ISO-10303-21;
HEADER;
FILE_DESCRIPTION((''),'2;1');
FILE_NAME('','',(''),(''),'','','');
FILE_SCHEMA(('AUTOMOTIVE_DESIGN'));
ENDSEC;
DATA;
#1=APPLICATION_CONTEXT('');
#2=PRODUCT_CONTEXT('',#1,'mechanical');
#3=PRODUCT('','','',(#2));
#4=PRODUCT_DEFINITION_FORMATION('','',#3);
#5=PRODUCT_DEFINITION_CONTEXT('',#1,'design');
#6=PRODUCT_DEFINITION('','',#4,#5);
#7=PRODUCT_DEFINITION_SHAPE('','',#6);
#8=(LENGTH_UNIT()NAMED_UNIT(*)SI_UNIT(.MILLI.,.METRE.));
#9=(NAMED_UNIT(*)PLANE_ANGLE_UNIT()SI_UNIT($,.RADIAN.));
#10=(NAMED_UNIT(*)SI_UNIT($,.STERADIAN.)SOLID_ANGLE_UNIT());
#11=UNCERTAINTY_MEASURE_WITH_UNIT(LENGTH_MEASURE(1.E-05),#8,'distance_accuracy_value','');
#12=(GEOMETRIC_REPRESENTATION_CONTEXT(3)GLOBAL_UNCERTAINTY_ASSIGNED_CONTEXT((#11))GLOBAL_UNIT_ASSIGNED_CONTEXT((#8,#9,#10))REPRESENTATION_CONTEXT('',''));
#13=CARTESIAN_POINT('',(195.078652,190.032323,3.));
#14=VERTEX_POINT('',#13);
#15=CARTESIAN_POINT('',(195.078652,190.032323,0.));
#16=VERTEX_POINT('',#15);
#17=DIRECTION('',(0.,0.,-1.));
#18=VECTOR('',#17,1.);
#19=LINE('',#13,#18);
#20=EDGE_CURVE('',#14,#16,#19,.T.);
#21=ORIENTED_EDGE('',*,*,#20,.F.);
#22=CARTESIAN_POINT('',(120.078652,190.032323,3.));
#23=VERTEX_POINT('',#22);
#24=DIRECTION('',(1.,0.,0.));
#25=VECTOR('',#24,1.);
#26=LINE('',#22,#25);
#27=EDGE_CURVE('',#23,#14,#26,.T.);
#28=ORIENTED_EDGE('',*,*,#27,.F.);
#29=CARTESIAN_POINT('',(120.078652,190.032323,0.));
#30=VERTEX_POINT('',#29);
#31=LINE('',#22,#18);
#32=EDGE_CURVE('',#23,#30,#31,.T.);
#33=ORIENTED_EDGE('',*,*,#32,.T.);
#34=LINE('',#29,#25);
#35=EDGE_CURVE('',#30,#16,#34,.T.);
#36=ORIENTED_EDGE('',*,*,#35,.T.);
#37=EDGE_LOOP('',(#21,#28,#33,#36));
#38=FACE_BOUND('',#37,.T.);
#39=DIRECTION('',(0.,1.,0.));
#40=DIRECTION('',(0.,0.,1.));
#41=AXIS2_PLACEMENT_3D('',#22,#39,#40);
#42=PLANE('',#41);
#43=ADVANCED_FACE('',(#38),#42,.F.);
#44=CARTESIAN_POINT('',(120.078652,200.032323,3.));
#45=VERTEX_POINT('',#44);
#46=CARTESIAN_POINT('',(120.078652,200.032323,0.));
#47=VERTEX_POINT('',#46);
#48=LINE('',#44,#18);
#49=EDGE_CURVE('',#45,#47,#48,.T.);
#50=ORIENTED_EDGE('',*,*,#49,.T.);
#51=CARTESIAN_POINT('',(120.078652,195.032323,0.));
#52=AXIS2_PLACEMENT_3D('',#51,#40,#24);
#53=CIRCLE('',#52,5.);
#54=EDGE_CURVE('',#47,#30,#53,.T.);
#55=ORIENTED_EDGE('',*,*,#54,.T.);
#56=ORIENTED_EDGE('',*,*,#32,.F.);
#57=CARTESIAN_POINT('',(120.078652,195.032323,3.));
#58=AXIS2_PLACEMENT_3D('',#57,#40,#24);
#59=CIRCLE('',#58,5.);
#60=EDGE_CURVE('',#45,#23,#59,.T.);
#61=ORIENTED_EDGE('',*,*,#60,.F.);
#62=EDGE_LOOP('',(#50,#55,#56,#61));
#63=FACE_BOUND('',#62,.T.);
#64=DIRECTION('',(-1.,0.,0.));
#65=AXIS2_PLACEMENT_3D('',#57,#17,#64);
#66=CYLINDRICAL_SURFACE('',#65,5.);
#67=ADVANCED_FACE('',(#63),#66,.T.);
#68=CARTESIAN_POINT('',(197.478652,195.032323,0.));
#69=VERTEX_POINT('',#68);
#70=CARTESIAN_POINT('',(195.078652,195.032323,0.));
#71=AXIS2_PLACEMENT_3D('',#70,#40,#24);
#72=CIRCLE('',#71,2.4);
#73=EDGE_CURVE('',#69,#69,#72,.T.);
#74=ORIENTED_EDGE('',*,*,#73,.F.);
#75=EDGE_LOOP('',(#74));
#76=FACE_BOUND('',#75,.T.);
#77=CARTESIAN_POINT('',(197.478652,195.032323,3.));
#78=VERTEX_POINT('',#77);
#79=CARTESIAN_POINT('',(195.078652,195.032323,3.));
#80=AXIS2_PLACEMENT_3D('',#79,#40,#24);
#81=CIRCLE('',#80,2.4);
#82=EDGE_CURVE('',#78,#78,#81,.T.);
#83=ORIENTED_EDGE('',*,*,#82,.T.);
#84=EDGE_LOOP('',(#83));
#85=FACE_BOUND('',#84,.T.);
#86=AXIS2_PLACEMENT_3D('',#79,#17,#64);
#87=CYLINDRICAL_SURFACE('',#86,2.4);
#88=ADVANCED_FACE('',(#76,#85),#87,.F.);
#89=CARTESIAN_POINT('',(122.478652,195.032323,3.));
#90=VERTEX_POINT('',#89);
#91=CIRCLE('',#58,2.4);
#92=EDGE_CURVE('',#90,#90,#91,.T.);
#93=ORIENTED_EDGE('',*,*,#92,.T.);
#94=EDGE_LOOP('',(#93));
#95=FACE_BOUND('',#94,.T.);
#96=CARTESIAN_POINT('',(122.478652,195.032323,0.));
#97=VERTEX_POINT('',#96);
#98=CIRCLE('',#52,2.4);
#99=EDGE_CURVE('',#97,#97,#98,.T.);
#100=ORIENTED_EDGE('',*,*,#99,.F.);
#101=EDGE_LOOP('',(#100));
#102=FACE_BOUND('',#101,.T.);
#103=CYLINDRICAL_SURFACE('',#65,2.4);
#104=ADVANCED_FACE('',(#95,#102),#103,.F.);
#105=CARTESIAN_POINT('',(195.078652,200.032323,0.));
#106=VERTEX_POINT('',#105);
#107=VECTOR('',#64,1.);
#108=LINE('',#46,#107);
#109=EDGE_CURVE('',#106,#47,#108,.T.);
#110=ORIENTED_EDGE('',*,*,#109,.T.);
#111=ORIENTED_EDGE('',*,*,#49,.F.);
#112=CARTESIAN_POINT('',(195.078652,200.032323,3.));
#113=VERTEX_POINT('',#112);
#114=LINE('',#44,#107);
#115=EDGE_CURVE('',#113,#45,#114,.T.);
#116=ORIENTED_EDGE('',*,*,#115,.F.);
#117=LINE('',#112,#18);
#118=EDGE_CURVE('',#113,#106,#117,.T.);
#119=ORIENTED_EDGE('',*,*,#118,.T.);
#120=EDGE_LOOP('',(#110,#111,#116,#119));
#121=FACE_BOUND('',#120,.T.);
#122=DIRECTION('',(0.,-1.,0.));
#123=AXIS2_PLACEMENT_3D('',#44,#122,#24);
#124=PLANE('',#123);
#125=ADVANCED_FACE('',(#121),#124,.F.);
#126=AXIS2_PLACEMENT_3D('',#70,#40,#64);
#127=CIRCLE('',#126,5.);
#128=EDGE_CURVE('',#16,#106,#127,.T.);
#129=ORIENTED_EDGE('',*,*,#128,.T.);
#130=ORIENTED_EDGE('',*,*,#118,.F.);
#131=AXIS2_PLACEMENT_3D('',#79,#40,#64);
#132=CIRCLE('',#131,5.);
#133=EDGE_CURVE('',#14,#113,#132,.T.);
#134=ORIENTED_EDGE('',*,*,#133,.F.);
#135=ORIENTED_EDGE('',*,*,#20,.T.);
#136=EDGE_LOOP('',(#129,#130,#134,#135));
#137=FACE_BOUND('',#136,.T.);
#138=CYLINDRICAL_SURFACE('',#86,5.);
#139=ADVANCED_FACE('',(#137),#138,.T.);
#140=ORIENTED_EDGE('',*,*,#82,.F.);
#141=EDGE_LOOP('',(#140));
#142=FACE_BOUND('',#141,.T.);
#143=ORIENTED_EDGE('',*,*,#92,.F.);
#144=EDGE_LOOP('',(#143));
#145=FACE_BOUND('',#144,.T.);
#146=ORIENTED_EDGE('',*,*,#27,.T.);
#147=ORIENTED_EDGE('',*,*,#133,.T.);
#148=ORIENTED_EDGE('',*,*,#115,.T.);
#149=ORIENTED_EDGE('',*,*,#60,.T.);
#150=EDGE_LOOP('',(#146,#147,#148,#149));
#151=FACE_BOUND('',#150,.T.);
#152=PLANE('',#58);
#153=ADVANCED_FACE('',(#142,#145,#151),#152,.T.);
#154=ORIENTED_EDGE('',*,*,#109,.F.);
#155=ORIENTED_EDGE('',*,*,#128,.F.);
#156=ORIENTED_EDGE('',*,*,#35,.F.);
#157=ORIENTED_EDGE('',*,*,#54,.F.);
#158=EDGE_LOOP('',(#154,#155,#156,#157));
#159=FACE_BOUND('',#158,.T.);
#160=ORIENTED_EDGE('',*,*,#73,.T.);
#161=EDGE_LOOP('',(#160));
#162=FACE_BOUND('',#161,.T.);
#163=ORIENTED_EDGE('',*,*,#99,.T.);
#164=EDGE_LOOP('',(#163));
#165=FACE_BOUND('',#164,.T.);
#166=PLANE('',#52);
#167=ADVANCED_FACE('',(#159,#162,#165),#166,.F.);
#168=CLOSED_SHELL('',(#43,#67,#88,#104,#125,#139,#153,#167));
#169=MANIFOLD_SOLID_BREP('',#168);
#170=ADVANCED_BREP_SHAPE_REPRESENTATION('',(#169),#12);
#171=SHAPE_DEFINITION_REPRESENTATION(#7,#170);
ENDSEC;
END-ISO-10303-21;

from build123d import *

# Parameters (mm, degrees)
SKETCH1_R           = 2.4
BOSS_EXTRUDE1_DEPTH = 3


with BuildPart() as part:
    # Sketch1 → Boss-Extrude1 (new body)
    with BuildSketch(Plane.XY):
        with BuildLine():
            Line((120.078651701, 190.032322866), (195.078651701, 190.032322866))
            ThreePointArc((195.078651701, 190.032322866), (200.078651701, 195.032322866), (195.078651701, 200.032322866))
            Line((195.078651701, 200.032322866), (120.078651701, 200.032322866))
            ThreePointArc((120.078651701, 200.032322866), (115.078651701, 195.032322866), (120.078651701, 190.032322866))
        make_face()
        with Locations((120.078651701, 195.032322866)):
            Circle(SKETCH1_R, mode=Mode.SUBTRACT)
        with Locations((195.078651701, 195.032322866)):
            Circle(SKETCH1_R, mode=Mode.SUBTRACT)
    extrude(amount=BOSS_EXTRUDE1_DEPTH)


solid = part.part
